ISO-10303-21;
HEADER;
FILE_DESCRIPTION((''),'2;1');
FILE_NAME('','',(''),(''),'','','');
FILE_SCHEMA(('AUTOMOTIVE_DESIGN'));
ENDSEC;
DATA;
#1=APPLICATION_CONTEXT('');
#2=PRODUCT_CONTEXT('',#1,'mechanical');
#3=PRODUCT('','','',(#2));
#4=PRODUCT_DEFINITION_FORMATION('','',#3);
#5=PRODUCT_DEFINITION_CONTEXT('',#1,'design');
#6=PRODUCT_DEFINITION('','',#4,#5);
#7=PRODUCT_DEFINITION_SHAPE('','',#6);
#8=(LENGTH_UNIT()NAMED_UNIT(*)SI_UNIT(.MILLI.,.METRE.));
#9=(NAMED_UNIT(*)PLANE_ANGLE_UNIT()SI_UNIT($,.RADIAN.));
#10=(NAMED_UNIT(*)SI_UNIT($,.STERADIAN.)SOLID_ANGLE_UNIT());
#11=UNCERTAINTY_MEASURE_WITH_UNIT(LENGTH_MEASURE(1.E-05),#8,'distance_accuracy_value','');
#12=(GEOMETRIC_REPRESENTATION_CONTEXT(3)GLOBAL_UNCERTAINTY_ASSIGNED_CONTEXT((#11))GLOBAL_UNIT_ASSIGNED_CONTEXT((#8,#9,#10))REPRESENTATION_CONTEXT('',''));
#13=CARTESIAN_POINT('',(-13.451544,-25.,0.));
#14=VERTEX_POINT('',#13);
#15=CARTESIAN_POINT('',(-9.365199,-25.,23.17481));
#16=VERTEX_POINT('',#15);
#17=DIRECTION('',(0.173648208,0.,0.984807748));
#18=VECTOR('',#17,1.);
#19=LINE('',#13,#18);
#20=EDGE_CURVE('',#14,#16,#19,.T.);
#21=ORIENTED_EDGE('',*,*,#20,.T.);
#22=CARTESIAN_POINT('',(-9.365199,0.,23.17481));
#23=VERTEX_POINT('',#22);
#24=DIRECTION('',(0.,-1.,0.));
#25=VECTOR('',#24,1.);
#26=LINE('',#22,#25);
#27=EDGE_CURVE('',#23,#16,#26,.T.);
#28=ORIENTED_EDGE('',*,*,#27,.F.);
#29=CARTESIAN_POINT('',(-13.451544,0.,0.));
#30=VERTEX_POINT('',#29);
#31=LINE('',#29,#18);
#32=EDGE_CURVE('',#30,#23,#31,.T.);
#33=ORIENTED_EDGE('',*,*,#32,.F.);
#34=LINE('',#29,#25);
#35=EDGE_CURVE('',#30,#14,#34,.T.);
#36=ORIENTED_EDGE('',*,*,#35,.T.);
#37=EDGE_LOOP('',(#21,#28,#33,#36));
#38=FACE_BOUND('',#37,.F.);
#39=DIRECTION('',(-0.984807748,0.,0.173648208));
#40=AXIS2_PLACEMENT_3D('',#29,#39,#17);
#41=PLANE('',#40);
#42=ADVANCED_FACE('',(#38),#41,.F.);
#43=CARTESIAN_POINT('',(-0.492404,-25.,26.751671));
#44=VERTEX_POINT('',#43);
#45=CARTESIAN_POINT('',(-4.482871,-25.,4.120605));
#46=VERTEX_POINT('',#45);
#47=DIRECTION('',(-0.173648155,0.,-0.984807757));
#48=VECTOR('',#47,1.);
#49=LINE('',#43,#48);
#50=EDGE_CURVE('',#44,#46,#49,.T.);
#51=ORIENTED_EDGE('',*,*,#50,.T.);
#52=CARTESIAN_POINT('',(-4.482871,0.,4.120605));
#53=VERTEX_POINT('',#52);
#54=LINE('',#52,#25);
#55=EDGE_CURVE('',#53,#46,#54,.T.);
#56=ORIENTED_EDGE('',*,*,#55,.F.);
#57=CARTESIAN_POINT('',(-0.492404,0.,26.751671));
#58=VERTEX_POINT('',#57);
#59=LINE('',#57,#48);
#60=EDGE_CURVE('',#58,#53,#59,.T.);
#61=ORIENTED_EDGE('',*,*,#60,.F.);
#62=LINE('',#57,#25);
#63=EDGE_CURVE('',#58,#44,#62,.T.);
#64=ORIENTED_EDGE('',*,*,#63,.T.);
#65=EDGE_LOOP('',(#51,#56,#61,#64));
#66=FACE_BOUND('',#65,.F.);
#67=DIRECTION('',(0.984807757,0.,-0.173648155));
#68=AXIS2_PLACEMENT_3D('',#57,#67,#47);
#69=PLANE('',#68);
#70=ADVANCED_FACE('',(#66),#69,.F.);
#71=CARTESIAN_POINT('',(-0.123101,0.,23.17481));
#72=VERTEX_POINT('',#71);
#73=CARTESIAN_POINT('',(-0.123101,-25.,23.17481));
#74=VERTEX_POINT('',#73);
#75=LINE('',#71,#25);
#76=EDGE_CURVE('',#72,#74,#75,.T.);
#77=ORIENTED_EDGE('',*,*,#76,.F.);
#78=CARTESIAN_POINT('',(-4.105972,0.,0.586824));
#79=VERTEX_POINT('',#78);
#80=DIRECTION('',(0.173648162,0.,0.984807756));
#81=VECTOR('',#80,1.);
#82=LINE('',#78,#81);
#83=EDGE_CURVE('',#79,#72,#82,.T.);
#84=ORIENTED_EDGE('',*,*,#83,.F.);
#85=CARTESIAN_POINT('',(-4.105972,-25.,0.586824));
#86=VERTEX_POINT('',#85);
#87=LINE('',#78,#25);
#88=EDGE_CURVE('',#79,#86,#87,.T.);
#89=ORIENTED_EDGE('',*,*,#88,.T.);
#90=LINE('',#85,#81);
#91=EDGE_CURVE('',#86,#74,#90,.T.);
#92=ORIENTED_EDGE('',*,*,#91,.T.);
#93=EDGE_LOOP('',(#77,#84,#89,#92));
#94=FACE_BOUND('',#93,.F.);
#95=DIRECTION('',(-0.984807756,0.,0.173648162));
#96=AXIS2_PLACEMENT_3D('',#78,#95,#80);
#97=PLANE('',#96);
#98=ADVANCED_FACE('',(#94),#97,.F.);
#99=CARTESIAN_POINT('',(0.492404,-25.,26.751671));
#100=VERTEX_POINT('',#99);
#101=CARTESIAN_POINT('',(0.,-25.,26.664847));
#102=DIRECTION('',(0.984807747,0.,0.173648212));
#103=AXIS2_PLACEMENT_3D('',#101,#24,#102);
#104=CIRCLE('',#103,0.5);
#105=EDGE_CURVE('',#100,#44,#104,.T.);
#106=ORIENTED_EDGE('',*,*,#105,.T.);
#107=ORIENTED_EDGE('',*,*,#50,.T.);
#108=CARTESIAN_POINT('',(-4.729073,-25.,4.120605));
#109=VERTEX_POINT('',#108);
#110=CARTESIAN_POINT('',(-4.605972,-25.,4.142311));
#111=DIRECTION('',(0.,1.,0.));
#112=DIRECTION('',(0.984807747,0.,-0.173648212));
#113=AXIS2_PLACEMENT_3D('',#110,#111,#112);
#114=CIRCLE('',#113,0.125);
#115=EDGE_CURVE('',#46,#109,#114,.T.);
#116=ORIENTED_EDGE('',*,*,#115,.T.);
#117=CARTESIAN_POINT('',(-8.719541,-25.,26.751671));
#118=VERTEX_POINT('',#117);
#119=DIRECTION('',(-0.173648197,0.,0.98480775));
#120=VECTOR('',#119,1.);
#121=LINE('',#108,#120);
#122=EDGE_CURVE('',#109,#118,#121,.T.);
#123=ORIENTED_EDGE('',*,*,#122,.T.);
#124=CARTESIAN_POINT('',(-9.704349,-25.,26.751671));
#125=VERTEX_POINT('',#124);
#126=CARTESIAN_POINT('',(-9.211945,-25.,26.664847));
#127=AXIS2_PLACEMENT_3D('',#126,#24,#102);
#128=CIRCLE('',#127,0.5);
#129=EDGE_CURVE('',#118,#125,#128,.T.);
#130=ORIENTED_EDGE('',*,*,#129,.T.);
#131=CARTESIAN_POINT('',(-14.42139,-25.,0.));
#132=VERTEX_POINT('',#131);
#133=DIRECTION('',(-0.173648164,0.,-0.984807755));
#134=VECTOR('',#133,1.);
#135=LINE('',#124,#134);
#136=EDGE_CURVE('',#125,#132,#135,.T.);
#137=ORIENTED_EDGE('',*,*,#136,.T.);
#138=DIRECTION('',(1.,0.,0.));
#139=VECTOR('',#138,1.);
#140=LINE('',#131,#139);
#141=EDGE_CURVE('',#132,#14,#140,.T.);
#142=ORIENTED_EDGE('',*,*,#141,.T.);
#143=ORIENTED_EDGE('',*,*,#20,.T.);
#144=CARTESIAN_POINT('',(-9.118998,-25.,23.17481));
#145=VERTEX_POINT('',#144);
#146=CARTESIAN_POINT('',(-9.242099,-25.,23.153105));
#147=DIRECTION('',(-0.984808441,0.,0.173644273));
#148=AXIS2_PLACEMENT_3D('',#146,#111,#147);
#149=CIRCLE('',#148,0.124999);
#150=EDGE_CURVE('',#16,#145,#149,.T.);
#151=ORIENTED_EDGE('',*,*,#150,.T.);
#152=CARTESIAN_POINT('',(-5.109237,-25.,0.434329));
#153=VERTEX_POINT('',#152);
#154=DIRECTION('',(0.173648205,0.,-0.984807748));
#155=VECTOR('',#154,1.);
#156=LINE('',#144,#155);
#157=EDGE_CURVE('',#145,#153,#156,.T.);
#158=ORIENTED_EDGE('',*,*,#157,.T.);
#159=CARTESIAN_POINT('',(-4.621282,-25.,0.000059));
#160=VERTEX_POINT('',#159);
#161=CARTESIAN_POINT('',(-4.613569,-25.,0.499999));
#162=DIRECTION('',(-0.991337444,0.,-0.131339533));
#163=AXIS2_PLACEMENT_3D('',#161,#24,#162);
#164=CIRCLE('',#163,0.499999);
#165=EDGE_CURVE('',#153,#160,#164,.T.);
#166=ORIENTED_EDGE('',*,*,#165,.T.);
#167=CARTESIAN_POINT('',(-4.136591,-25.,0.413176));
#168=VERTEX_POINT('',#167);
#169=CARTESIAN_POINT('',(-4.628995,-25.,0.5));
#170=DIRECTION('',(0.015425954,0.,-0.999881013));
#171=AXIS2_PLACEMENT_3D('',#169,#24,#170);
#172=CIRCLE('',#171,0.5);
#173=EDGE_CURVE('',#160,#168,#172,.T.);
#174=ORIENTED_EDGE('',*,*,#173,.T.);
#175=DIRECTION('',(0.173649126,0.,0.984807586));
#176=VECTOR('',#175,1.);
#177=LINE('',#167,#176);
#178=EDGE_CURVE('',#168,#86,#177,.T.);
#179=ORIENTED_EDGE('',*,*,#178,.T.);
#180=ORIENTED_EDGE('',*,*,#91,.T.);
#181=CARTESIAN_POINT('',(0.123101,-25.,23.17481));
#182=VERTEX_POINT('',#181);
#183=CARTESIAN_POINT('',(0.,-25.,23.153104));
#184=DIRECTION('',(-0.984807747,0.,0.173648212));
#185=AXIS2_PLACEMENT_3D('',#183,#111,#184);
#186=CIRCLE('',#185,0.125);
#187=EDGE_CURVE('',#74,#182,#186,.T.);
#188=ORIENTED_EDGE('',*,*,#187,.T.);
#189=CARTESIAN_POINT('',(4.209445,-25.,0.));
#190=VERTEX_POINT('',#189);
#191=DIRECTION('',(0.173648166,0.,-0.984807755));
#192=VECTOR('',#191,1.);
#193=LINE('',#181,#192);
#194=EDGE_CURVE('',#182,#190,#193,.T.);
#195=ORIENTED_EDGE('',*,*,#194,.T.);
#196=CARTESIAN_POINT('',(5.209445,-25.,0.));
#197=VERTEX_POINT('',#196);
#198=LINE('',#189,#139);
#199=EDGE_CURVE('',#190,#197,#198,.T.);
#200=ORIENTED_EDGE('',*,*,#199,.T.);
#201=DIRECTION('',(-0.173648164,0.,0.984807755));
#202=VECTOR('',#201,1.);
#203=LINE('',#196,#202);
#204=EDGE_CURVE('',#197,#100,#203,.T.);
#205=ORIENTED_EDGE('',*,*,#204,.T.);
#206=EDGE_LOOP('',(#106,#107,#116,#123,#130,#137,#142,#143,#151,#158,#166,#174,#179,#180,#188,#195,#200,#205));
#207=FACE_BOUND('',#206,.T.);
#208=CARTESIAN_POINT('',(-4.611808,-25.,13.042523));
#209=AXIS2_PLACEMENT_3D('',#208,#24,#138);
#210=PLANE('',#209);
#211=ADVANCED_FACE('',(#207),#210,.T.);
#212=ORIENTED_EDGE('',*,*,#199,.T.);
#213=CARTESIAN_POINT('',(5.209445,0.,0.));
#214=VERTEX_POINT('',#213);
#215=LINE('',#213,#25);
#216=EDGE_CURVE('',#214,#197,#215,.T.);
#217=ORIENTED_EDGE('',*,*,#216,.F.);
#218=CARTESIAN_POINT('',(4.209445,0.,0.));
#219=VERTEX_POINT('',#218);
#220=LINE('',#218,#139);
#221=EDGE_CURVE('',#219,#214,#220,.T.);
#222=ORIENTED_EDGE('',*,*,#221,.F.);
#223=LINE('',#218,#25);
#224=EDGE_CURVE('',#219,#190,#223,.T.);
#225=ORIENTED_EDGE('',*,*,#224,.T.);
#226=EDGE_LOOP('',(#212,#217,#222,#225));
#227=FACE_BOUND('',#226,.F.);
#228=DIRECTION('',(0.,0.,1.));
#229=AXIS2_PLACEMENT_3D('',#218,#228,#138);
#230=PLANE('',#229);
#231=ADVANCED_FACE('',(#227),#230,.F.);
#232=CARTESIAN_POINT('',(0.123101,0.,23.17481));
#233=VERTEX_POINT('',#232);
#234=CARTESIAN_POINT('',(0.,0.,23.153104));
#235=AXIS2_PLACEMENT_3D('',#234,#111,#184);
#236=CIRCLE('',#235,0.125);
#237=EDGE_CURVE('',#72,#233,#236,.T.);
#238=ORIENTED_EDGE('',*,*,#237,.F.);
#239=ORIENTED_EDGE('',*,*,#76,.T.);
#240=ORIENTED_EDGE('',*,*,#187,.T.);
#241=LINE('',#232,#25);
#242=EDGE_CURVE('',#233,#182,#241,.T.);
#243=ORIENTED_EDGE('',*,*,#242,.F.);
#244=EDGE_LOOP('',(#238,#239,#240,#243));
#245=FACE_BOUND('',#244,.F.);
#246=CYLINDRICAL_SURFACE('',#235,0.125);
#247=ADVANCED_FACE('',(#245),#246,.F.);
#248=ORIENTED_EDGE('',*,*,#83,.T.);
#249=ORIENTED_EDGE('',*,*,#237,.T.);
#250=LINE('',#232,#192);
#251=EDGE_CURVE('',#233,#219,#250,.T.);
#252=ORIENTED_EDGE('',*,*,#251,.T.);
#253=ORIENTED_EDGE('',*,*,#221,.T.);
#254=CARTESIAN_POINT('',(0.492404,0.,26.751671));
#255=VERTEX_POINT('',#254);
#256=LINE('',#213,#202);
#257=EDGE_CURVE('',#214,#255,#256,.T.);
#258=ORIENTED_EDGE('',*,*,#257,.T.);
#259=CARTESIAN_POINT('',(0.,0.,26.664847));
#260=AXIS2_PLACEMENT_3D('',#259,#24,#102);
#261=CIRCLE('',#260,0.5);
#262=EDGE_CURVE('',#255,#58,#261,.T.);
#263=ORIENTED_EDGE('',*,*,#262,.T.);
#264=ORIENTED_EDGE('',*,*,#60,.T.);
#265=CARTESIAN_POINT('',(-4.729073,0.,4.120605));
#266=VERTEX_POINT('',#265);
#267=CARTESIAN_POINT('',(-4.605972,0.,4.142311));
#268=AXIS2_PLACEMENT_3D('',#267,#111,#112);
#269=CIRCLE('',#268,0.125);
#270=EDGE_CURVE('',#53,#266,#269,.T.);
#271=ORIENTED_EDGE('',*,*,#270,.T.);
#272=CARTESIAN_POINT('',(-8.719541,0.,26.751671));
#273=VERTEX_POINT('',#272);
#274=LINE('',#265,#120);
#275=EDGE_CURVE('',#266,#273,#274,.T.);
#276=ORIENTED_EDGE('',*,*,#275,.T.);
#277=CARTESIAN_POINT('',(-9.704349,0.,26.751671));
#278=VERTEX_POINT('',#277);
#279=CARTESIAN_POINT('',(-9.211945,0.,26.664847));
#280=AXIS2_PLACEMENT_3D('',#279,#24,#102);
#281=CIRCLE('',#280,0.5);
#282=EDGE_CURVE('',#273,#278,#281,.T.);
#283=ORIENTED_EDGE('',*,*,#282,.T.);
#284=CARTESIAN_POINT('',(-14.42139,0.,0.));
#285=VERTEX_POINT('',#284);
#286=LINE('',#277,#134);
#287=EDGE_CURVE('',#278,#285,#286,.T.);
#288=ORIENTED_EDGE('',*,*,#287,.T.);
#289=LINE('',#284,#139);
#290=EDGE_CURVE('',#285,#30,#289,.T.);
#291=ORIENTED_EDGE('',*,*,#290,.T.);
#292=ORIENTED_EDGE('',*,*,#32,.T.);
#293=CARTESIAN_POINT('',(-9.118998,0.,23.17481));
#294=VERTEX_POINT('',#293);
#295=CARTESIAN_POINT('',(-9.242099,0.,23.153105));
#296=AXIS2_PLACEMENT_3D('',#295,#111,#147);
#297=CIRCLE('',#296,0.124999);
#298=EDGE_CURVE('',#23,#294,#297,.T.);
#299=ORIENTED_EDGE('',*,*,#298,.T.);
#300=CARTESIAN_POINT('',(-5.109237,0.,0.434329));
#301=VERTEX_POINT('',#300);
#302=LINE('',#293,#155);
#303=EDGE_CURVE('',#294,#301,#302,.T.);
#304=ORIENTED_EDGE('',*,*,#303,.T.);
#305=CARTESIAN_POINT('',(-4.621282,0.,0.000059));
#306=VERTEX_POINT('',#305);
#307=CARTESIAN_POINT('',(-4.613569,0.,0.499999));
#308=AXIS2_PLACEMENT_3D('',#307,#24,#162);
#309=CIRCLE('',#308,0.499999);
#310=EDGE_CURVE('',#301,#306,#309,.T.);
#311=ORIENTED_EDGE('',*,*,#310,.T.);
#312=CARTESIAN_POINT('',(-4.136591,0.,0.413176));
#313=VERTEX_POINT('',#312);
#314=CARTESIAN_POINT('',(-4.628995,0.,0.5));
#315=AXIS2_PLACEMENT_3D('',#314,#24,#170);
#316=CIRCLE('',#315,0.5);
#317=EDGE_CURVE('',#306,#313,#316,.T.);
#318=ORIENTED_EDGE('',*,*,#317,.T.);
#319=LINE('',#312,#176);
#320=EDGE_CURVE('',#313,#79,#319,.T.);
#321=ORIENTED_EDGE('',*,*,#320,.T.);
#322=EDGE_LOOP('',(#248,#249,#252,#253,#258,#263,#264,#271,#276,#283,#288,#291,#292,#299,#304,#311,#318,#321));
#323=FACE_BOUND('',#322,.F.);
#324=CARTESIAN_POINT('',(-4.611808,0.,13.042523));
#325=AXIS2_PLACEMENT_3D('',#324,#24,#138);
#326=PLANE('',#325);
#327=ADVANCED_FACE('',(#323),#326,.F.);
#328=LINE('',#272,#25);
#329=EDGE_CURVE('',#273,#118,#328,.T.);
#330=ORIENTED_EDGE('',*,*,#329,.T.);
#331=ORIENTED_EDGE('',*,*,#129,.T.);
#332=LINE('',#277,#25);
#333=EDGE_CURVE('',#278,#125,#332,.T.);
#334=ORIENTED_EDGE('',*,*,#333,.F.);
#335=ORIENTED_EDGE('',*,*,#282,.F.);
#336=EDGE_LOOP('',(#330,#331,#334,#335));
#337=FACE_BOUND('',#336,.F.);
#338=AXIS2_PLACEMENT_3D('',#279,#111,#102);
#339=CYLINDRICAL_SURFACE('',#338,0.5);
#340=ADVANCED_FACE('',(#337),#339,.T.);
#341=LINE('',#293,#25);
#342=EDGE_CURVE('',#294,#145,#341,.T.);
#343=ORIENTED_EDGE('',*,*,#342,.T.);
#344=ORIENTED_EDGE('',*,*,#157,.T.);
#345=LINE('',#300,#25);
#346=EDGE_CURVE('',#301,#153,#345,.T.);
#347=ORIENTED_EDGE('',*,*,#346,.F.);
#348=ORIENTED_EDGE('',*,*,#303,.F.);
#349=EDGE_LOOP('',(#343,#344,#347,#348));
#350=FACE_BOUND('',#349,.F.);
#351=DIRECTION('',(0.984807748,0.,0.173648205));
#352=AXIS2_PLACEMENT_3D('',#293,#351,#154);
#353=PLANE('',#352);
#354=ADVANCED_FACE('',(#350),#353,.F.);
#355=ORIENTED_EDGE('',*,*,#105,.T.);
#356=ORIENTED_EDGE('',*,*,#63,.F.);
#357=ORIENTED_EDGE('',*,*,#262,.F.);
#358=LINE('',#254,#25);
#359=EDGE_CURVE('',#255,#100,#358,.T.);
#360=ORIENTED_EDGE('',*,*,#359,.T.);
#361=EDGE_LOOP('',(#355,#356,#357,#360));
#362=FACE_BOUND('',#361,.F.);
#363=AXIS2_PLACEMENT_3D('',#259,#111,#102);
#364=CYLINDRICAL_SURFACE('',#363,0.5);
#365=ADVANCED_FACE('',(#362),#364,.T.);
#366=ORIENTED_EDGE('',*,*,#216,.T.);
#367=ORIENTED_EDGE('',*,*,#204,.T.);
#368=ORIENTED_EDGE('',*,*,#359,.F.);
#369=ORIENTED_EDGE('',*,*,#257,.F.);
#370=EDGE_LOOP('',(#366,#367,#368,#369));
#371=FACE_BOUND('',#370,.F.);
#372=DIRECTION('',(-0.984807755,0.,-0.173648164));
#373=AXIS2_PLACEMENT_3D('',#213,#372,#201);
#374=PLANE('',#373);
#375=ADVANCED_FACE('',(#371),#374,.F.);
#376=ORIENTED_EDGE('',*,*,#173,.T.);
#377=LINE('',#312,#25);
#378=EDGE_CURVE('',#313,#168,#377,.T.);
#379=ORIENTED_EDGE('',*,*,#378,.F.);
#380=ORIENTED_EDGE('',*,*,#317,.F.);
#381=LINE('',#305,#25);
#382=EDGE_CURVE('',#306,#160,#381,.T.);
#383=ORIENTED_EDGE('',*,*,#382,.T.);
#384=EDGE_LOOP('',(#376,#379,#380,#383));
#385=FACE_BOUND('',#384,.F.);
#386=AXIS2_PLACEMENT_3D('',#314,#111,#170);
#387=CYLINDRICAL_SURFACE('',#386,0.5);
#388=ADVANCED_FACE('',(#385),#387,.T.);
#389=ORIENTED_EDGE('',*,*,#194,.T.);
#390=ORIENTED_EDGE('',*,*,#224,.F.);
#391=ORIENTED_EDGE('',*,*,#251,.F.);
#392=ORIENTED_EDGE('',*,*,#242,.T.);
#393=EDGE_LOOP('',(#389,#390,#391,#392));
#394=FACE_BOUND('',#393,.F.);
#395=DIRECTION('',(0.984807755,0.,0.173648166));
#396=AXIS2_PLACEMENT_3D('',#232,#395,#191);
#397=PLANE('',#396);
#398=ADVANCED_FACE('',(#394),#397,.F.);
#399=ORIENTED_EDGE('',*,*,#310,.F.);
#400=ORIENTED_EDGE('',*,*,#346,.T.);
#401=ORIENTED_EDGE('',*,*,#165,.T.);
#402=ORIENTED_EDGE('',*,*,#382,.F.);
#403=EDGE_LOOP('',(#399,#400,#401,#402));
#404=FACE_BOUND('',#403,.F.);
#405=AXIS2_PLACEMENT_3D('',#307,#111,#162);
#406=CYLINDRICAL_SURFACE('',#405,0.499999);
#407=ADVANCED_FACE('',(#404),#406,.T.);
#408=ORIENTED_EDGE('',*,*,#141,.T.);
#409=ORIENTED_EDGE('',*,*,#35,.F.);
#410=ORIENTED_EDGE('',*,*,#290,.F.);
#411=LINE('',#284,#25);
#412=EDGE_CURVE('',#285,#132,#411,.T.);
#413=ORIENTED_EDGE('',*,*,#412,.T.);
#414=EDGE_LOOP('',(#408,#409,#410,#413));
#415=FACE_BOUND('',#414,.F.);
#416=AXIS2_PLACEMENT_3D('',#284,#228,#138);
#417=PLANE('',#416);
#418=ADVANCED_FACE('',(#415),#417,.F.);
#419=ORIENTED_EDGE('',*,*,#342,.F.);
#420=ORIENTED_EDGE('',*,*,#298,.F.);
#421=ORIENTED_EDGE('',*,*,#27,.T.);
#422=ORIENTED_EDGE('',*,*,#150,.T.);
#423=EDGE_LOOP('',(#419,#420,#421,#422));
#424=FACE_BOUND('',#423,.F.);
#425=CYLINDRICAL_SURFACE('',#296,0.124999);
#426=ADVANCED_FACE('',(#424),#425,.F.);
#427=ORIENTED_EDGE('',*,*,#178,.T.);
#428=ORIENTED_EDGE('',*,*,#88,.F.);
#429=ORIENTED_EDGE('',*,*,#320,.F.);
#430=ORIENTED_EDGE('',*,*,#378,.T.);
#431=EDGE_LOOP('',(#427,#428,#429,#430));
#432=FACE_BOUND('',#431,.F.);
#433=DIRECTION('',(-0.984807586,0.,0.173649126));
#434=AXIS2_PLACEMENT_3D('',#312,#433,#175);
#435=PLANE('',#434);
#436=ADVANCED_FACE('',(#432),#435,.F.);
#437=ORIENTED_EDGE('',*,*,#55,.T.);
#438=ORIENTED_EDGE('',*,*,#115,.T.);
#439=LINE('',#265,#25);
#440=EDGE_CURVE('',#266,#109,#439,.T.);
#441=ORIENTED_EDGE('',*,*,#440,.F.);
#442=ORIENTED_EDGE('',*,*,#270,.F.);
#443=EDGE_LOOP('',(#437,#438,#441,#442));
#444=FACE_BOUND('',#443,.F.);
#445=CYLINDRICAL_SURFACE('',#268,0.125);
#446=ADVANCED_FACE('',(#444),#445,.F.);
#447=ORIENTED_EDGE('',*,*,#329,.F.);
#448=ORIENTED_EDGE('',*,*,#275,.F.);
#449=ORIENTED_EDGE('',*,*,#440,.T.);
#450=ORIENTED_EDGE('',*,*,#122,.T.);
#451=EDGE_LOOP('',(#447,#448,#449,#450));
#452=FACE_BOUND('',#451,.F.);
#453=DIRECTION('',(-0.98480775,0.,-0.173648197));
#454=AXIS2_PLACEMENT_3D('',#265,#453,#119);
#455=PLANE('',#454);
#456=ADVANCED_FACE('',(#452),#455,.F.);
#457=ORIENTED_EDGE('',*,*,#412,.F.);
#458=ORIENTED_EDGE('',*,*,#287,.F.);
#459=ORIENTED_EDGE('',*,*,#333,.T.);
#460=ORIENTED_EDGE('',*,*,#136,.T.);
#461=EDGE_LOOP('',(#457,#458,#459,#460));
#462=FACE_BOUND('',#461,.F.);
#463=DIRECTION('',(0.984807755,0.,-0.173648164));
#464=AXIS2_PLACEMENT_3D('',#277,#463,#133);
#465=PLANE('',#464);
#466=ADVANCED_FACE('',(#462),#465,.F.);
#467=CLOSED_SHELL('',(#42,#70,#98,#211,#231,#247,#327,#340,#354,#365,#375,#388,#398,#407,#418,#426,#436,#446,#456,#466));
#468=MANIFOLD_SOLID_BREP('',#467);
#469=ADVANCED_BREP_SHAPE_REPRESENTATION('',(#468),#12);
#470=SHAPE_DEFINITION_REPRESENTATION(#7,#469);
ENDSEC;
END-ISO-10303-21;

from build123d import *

# Parameters (mm, degrees)
F1_DEPTH = 25


with BuildPart() as f1:
    # F0 (on Front) → F1 (new body)
    with BuildSketch(Plane.XZ):
        with BuildLine():
            ThreePointArc((0.492404, 26.751671), (0, 27.164847), (-0.492404, 26.751671))
            Line((-0.492404, 26.751671), (-4.482871, 4.120605))
            ThreePointArc((-4.482871, 4.120605), (-4.605972, 4.017311), (-4.729073, 4.120605))
            Line((-4.729073, 4.120605), (-8.719541, 26.751671))
            ThreePointArc((-8.719541, 26.751671), (-9.211945, 27.164847), (-9.704349, 26.751671))
            Line((-9.704349, 26.751671), (-14.42139, 0))
            Line((-14.42139, 0), (-13.451544, 0))
            Line((-13.451544, 0), (-9.365199, 23.17481))
            ThreePointArc((-9.365199, 23.17481), (-9.242099, 23.278104), (-9.118998, 23.17481))
            Line((-9.118998, 23.17481), (-5.109237, 0.434329))
            ThreePointArc((-5.109237, 0.434329), (-4.945978, 0.126497), (-4.621282, 5.9e-05))
            ThreePointArc((-4.621282, 5.9e-05), (-4.304656, 0.119468), (-4.136591, 0.413176))
            Line((-4.136591, 0.413176), (-4.105972, 0.586824))
            Line((-4.105972, 0.586824), (-0.123101, 23.17481))
            ThreePointArc((-0.123101, 23.17481), (0, 23.278104), (0.123101, 23.17481))
            Line((0.123101, 23.17481), (4.209445, 0))
            Line((4.209445, 0), (5.209445, 0))
            Line((5.209445, 0), (0.492404, 26.751671))
        make_face()
    extrude(amount=F1_DEPTH)


solid = f1.part
